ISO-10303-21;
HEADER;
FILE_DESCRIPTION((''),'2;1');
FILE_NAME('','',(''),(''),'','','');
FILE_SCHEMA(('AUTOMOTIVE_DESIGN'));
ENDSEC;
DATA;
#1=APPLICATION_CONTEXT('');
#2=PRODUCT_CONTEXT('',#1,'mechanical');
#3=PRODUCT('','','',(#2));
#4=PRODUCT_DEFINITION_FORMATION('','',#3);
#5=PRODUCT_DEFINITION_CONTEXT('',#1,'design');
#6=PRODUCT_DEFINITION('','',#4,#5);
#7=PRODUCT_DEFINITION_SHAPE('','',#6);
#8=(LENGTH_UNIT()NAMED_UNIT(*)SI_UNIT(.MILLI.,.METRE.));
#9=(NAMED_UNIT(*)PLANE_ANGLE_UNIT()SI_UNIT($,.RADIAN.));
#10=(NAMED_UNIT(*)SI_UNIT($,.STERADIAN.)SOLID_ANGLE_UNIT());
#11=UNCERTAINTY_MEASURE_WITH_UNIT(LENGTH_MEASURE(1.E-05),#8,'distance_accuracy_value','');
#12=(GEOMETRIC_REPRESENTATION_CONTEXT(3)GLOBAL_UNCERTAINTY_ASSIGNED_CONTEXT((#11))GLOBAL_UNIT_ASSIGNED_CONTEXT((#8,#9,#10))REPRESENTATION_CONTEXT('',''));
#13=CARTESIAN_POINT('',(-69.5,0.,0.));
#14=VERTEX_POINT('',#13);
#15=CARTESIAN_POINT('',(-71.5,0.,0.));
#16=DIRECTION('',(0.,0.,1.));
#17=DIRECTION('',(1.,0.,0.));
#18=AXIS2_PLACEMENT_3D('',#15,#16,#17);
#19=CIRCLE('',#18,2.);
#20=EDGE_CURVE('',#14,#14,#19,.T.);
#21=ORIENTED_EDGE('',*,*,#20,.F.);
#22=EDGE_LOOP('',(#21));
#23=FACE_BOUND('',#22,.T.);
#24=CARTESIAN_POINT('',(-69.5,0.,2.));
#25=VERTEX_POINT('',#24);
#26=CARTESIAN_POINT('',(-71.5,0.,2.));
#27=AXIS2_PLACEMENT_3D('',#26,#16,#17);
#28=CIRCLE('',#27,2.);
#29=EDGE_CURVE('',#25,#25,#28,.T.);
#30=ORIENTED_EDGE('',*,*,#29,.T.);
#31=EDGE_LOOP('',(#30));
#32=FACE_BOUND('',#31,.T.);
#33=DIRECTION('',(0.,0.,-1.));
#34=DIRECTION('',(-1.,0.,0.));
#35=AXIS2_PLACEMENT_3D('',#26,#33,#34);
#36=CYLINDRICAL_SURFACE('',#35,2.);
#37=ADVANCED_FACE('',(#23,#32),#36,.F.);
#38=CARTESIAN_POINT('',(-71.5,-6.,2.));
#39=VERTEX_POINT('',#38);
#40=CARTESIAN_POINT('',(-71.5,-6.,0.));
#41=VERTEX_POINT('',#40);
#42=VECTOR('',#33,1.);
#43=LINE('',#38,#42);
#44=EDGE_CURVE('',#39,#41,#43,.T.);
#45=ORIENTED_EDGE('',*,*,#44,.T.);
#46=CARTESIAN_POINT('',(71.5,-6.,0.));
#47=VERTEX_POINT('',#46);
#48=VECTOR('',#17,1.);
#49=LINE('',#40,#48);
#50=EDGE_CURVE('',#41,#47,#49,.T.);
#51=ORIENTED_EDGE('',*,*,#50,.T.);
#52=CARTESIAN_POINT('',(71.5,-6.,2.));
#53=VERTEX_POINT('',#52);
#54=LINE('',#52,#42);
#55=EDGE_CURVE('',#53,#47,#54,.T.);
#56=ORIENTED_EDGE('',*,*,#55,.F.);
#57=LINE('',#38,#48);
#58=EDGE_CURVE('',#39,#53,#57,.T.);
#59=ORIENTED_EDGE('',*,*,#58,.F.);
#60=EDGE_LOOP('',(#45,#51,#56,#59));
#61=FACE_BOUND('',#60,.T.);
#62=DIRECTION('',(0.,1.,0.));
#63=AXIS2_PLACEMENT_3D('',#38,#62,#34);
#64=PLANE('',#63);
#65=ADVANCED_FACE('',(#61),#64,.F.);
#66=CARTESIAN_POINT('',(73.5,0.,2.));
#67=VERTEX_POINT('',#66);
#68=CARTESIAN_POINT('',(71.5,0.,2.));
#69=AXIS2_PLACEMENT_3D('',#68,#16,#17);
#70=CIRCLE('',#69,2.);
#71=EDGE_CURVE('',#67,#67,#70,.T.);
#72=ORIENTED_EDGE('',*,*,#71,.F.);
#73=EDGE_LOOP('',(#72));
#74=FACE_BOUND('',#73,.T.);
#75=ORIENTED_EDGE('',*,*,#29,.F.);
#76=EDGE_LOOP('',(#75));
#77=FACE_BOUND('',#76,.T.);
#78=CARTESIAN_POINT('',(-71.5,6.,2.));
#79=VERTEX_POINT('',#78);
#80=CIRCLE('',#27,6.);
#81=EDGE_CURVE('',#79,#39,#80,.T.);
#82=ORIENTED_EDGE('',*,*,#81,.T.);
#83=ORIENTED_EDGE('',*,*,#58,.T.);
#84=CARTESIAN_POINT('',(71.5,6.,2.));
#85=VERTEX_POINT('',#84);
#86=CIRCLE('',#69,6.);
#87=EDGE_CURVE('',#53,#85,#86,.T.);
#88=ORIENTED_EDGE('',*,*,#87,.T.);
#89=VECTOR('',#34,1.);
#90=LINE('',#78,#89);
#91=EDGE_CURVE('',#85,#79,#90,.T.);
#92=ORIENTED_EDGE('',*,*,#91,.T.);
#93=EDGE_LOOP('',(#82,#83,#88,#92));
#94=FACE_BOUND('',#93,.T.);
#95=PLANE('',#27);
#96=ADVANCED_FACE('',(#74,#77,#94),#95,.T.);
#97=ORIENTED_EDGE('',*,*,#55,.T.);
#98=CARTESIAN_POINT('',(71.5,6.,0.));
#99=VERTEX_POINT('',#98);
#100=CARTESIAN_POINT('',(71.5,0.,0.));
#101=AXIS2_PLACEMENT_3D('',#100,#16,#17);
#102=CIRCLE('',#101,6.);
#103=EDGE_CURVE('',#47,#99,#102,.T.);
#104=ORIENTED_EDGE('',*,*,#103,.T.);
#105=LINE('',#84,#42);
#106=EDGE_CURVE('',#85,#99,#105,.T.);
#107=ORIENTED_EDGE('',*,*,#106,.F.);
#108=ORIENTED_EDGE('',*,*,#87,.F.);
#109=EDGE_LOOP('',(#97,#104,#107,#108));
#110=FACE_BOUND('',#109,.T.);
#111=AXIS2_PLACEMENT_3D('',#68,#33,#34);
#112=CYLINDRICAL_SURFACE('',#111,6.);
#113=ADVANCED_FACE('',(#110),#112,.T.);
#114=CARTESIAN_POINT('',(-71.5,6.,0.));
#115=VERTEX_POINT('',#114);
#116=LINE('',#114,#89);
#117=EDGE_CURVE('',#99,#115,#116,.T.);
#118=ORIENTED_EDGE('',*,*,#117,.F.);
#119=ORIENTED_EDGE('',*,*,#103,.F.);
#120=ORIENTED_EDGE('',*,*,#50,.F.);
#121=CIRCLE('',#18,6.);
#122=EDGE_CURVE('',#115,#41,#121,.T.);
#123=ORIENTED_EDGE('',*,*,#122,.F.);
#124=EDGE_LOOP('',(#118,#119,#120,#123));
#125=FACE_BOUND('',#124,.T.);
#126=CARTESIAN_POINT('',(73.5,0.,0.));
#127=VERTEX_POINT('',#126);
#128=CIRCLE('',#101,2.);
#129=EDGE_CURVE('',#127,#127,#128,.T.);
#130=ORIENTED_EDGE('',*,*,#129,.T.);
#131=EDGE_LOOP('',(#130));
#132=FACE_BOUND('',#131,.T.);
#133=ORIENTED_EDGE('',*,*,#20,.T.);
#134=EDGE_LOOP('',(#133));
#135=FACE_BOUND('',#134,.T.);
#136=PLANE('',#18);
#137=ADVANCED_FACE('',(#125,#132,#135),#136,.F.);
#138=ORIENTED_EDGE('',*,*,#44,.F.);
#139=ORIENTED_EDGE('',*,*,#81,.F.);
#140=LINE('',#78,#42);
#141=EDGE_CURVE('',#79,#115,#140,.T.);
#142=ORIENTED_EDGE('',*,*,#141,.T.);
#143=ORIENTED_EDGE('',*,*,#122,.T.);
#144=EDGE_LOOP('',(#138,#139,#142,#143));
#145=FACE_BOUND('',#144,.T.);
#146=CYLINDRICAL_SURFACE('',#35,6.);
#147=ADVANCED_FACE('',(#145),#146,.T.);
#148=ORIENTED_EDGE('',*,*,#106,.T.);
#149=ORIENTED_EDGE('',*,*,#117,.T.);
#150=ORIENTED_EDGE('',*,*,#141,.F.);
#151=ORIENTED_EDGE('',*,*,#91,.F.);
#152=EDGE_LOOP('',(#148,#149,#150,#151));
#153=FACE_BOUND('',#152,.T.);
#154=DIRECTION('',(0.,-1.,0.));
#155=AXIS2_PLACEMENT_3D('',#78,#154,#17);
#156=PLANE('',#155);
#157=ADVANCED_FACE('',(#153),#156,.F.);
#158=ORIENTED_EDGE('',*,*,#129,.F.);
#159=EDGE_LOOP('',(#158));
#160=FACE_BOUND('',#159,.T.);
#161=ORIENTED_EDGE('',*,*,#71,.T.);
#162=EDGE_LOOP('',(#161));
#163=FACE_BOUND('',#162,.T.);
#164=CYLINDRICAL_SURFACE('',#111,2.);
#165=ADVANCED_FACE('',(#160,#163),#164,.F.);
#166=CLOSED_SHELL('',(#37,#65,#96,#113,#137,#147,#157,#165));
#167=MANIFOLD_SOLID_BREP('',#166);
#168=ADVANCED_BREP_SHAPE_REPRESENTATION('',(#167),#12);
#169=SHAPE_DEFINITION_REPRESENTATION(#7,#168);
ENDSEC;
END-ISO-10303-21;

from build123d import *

# Parameters (mm, degrees)
ESQUISSE1_R        = 2
BOSS_EXTRU_1_DEPTH = 2


with BuildPart() as part:
    # Esquisse1 → Boss.-Extru.1 (new body)
    with BuildSketch(Plane.XY):
        with BuildLine():
            Line((-71.5, 6), (71.5, 6))
            ThreePointArc((71.5, 6), (77.5, 0), (71.5, -6))
            Line((71.5, -6), (-71.5, -6))
            ThreePointArc((-71.5, -6), (-77.5, 0), (-71.5, 6))
        make_face()
        with Locations((-71.5, 0)):
            Circle(ESQUISSE1_R, mode=Mode.SUBTRACT)
        with Locations((71.5, 0)):
            Circle(ESQUISSE1_R, mode=Mode.SUBTRACT)
    extrude(amount=BOSS_EXTRU_1_DEPTH)


solid = part.part
